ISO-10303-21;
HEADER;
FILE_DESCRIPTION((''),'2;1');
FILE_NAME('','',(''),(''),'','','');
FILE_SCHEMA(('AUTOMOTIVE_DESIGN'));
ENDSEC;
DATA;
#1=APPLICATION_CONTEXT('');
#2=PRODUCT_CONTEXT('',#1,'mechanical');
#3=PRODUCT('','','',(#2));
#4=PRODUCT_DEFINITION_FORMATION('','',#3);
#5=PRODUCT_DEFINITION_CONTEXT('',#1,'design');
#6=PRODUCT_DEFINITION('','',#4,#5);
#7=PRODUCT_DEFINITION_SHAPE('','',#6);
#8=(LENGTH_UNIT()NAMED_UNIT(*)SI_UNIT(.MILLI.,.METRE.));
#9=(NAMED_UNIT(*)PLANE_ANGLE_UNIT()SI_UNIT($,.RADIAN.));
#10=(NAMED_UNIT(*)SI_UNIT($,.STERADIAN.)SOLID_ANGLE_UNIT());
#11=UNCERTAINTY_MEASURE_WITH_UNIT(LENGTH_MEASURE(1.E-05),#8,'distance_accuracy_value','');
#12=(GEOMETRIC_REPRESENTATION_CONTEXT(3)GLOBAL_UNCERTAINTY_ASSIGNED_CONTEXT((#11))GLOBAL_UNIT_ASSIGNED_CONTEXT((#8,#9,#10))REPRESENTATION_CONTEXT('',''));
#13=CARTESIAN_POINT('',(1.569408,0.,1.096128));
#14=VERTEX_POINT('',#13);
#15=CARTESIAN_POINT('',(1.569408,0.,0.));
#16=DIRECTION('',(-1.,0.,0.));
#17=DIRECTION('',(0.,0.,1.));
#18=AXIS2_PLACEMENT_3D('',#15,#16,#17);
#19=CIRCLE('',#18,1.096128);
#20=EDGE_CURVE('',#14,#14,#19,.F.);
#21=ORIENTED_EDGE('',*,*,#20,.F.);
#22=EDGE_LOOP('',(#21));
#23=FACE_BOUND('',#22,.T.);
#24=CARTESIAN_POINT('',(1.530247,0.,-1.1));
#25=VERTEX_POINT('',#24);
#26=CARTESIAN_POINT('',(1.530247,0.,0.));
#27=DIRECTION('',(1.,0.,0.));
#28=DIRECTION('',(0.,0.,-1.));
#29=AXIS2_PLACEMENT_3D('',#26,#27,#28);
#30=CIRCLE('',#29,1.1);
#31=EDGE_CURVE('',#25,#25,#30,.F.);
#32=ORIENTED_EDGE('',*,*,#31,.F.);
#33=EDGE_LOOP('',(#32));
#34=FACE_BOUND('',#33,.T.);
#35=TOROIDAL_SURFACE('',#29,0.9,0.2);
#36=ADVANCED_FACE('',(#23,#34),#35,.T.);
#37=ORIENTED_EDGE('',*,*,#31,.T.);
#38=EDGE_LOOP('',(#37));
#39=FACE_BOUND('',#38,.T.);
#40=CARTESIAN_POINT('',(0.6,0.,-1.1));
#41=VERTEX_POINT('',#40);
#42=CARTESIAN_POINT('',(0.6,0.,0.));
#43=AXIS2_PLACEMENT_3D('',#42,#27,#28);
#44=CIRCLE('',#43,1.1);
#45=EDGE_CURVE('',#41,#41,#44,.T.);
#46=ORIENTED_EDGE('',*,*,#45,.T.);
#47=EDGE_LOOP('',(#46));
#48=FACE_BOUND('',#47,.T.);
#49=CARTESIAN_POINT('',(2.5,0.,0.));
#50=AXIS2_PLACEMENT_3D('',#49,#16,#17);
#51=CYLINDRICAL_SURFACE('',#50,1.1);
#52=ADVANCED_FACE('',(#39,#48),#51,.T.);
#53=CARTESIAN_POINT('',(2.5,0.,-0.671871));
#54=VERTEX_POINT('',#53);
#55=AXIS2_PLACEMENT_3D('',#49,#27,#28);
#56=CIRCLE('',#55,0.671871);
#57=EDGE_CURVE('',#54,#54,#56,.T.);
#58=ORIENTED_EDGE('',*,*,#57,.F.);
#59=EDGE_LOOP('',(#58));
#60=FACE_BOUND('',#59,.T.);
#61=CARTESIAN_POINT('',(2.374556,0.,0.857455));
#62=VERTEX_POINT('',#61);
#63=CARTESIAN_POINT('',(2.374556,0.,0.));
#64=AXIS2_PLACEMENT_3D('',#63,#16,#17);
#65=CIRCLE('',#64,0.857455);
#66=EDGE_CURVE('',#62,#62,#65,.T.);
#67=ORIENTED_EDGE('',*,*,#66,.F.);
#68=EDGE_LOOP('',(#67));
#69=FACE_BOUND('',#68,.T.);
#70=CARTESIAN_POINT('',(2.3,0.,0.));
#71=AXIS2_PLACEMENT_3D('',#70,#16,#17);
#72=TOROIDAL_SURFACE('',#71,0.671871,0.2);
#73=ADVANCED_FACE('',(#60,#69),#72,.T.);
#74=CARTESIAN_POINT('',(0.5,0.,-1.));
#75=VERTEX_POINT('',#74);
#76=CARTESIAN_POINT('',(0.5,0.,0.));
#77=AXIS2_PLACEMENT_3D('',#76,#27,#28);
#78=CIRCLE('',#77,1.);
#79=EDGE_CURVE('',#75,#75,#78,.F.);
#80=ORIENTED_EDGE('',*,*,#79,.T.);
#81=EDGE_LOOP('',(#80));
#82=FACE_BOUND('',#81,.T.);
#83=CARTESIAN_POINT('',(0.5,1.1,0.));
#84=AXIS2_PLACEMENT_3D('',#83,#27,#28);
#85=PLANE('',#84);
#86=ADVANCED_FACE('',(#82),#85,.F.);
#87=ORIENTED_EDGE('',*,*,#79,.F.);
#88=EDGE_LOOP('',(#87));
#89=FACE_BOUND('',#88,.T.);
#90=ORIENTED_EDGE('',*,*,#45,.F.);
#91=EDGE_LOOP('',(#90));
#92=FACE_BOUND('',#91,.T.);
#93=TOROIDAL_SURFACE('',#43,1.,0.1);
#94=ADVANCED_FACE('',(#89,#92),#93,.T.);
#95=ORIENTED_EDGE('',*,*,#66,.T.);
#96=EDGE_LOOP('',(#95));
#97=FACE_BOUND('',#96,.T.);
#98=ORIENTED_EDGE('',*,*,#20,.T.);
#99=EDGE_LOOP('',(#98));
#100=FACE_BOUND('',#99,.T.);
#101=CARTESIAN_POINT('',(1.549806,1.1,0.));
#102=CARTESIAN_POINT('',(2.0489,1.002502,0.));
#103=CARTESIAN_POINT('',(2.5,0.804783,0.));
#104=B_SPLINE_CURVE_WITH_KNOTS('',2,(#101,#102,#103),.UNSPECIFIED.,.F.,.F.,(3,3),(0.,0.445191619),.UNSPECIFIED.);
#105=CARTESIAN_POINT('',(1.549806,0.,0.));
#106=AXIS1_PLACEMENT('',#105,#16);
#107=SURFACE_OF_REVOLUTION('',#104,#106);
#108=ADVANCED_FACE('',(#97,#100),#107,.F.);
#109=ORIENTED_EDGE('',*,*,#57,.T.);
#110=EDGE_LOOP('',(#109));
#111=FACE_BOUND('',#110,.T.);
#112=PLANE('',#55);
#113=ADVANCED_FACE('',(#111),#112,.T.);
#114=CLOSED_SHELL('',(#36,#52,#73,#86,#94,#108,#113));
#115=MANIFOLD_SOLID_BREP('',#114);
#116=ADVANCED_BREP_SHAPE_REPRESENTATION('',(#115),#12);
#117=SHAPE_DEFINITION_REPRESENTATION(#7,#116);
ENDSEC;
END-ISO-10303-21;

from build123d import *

# Parameters (mm, degrees)
SKETCH1_R           = 1.1
BOSS_EXTRUDE1_DEPTH = 2.5
FILLET1_R           = 0.1
FILLET2_R           = 0.2
SKETCH3_W           = 0.5
SKETCH3_H           = 1.1
FILLET3_R           = 0.1


with BuildPart() as part:
    # Sketch1 → Boss-Extrude1 (new body)
    with BuildSketch(Plane(origin=(0, 0, 0), x_dir=(0, 0, -1), z_dir=(1, 0, 0))):
        Circle(SKETCH1_R)
    extrude(amount=BOSS_EXTRUDE1_DEPTH)

    # Fillet1
    fillet1_edges = [part.edges().sort_by_distance(p)[0] for p in [
        (0, 0, 1.1),
        (2.5, 0, 1.1),
    ]]
    fillet(fillet1_edges, radius=FILLET1_R)

    # Sketch2 → Cut-Revolve2 (revolve, cut)
    with BuildSketch(Plane.XY):
        with BuildLine():
            Line((1.549806351, 1.1), (2.5, 1.1))
            Line((2.5, 1.1), (2.5, 0.804782817))
            add(Edge.make_bspline(
                [(1.549806351, 1.1), (2.048899833, 1.002501981), (2.5, 0.804782817)],
                knots=[0, 0, 0, 0.445191619, 0.445191619, 0.445191619], degree=2))
        make_face()
    revolve(axis=Axis((1.549806351, 0, 0), (1, 0, 0)), mode=Mode.SUBTRACT)

    # Fillet2
    fillet2_edges = [part.edges().sort_by_distance(p)[0] for p in [
        (1.549806351, -0.777817459, 0.777817459),
        (2.5, -0.804782817, 0),
    ]]
    fillet(fillet2_edges, radius=FILLET2_R)

    # Sketch3 → Cut-Revolve3 (revolve, cut)
    with BuildSketch(Plane.XY):
        with Locations((0.25, 0.55)):
            Rectangle(SKETCH3_W, SKETCH3_H)
    revolve(axis=Axis((0.5, 0, 0), (-1, 0, 0)), mode=Mode.SUBTRACT)

    # Fillet3
    fillet3_edges = [part.edges().sort_by_distance(p)[0] for p in [
        (0.5, 0, 1.1),
    ]]
    fillet(fillet3_edges, radius=FILLET3_R)


solid = part.part
